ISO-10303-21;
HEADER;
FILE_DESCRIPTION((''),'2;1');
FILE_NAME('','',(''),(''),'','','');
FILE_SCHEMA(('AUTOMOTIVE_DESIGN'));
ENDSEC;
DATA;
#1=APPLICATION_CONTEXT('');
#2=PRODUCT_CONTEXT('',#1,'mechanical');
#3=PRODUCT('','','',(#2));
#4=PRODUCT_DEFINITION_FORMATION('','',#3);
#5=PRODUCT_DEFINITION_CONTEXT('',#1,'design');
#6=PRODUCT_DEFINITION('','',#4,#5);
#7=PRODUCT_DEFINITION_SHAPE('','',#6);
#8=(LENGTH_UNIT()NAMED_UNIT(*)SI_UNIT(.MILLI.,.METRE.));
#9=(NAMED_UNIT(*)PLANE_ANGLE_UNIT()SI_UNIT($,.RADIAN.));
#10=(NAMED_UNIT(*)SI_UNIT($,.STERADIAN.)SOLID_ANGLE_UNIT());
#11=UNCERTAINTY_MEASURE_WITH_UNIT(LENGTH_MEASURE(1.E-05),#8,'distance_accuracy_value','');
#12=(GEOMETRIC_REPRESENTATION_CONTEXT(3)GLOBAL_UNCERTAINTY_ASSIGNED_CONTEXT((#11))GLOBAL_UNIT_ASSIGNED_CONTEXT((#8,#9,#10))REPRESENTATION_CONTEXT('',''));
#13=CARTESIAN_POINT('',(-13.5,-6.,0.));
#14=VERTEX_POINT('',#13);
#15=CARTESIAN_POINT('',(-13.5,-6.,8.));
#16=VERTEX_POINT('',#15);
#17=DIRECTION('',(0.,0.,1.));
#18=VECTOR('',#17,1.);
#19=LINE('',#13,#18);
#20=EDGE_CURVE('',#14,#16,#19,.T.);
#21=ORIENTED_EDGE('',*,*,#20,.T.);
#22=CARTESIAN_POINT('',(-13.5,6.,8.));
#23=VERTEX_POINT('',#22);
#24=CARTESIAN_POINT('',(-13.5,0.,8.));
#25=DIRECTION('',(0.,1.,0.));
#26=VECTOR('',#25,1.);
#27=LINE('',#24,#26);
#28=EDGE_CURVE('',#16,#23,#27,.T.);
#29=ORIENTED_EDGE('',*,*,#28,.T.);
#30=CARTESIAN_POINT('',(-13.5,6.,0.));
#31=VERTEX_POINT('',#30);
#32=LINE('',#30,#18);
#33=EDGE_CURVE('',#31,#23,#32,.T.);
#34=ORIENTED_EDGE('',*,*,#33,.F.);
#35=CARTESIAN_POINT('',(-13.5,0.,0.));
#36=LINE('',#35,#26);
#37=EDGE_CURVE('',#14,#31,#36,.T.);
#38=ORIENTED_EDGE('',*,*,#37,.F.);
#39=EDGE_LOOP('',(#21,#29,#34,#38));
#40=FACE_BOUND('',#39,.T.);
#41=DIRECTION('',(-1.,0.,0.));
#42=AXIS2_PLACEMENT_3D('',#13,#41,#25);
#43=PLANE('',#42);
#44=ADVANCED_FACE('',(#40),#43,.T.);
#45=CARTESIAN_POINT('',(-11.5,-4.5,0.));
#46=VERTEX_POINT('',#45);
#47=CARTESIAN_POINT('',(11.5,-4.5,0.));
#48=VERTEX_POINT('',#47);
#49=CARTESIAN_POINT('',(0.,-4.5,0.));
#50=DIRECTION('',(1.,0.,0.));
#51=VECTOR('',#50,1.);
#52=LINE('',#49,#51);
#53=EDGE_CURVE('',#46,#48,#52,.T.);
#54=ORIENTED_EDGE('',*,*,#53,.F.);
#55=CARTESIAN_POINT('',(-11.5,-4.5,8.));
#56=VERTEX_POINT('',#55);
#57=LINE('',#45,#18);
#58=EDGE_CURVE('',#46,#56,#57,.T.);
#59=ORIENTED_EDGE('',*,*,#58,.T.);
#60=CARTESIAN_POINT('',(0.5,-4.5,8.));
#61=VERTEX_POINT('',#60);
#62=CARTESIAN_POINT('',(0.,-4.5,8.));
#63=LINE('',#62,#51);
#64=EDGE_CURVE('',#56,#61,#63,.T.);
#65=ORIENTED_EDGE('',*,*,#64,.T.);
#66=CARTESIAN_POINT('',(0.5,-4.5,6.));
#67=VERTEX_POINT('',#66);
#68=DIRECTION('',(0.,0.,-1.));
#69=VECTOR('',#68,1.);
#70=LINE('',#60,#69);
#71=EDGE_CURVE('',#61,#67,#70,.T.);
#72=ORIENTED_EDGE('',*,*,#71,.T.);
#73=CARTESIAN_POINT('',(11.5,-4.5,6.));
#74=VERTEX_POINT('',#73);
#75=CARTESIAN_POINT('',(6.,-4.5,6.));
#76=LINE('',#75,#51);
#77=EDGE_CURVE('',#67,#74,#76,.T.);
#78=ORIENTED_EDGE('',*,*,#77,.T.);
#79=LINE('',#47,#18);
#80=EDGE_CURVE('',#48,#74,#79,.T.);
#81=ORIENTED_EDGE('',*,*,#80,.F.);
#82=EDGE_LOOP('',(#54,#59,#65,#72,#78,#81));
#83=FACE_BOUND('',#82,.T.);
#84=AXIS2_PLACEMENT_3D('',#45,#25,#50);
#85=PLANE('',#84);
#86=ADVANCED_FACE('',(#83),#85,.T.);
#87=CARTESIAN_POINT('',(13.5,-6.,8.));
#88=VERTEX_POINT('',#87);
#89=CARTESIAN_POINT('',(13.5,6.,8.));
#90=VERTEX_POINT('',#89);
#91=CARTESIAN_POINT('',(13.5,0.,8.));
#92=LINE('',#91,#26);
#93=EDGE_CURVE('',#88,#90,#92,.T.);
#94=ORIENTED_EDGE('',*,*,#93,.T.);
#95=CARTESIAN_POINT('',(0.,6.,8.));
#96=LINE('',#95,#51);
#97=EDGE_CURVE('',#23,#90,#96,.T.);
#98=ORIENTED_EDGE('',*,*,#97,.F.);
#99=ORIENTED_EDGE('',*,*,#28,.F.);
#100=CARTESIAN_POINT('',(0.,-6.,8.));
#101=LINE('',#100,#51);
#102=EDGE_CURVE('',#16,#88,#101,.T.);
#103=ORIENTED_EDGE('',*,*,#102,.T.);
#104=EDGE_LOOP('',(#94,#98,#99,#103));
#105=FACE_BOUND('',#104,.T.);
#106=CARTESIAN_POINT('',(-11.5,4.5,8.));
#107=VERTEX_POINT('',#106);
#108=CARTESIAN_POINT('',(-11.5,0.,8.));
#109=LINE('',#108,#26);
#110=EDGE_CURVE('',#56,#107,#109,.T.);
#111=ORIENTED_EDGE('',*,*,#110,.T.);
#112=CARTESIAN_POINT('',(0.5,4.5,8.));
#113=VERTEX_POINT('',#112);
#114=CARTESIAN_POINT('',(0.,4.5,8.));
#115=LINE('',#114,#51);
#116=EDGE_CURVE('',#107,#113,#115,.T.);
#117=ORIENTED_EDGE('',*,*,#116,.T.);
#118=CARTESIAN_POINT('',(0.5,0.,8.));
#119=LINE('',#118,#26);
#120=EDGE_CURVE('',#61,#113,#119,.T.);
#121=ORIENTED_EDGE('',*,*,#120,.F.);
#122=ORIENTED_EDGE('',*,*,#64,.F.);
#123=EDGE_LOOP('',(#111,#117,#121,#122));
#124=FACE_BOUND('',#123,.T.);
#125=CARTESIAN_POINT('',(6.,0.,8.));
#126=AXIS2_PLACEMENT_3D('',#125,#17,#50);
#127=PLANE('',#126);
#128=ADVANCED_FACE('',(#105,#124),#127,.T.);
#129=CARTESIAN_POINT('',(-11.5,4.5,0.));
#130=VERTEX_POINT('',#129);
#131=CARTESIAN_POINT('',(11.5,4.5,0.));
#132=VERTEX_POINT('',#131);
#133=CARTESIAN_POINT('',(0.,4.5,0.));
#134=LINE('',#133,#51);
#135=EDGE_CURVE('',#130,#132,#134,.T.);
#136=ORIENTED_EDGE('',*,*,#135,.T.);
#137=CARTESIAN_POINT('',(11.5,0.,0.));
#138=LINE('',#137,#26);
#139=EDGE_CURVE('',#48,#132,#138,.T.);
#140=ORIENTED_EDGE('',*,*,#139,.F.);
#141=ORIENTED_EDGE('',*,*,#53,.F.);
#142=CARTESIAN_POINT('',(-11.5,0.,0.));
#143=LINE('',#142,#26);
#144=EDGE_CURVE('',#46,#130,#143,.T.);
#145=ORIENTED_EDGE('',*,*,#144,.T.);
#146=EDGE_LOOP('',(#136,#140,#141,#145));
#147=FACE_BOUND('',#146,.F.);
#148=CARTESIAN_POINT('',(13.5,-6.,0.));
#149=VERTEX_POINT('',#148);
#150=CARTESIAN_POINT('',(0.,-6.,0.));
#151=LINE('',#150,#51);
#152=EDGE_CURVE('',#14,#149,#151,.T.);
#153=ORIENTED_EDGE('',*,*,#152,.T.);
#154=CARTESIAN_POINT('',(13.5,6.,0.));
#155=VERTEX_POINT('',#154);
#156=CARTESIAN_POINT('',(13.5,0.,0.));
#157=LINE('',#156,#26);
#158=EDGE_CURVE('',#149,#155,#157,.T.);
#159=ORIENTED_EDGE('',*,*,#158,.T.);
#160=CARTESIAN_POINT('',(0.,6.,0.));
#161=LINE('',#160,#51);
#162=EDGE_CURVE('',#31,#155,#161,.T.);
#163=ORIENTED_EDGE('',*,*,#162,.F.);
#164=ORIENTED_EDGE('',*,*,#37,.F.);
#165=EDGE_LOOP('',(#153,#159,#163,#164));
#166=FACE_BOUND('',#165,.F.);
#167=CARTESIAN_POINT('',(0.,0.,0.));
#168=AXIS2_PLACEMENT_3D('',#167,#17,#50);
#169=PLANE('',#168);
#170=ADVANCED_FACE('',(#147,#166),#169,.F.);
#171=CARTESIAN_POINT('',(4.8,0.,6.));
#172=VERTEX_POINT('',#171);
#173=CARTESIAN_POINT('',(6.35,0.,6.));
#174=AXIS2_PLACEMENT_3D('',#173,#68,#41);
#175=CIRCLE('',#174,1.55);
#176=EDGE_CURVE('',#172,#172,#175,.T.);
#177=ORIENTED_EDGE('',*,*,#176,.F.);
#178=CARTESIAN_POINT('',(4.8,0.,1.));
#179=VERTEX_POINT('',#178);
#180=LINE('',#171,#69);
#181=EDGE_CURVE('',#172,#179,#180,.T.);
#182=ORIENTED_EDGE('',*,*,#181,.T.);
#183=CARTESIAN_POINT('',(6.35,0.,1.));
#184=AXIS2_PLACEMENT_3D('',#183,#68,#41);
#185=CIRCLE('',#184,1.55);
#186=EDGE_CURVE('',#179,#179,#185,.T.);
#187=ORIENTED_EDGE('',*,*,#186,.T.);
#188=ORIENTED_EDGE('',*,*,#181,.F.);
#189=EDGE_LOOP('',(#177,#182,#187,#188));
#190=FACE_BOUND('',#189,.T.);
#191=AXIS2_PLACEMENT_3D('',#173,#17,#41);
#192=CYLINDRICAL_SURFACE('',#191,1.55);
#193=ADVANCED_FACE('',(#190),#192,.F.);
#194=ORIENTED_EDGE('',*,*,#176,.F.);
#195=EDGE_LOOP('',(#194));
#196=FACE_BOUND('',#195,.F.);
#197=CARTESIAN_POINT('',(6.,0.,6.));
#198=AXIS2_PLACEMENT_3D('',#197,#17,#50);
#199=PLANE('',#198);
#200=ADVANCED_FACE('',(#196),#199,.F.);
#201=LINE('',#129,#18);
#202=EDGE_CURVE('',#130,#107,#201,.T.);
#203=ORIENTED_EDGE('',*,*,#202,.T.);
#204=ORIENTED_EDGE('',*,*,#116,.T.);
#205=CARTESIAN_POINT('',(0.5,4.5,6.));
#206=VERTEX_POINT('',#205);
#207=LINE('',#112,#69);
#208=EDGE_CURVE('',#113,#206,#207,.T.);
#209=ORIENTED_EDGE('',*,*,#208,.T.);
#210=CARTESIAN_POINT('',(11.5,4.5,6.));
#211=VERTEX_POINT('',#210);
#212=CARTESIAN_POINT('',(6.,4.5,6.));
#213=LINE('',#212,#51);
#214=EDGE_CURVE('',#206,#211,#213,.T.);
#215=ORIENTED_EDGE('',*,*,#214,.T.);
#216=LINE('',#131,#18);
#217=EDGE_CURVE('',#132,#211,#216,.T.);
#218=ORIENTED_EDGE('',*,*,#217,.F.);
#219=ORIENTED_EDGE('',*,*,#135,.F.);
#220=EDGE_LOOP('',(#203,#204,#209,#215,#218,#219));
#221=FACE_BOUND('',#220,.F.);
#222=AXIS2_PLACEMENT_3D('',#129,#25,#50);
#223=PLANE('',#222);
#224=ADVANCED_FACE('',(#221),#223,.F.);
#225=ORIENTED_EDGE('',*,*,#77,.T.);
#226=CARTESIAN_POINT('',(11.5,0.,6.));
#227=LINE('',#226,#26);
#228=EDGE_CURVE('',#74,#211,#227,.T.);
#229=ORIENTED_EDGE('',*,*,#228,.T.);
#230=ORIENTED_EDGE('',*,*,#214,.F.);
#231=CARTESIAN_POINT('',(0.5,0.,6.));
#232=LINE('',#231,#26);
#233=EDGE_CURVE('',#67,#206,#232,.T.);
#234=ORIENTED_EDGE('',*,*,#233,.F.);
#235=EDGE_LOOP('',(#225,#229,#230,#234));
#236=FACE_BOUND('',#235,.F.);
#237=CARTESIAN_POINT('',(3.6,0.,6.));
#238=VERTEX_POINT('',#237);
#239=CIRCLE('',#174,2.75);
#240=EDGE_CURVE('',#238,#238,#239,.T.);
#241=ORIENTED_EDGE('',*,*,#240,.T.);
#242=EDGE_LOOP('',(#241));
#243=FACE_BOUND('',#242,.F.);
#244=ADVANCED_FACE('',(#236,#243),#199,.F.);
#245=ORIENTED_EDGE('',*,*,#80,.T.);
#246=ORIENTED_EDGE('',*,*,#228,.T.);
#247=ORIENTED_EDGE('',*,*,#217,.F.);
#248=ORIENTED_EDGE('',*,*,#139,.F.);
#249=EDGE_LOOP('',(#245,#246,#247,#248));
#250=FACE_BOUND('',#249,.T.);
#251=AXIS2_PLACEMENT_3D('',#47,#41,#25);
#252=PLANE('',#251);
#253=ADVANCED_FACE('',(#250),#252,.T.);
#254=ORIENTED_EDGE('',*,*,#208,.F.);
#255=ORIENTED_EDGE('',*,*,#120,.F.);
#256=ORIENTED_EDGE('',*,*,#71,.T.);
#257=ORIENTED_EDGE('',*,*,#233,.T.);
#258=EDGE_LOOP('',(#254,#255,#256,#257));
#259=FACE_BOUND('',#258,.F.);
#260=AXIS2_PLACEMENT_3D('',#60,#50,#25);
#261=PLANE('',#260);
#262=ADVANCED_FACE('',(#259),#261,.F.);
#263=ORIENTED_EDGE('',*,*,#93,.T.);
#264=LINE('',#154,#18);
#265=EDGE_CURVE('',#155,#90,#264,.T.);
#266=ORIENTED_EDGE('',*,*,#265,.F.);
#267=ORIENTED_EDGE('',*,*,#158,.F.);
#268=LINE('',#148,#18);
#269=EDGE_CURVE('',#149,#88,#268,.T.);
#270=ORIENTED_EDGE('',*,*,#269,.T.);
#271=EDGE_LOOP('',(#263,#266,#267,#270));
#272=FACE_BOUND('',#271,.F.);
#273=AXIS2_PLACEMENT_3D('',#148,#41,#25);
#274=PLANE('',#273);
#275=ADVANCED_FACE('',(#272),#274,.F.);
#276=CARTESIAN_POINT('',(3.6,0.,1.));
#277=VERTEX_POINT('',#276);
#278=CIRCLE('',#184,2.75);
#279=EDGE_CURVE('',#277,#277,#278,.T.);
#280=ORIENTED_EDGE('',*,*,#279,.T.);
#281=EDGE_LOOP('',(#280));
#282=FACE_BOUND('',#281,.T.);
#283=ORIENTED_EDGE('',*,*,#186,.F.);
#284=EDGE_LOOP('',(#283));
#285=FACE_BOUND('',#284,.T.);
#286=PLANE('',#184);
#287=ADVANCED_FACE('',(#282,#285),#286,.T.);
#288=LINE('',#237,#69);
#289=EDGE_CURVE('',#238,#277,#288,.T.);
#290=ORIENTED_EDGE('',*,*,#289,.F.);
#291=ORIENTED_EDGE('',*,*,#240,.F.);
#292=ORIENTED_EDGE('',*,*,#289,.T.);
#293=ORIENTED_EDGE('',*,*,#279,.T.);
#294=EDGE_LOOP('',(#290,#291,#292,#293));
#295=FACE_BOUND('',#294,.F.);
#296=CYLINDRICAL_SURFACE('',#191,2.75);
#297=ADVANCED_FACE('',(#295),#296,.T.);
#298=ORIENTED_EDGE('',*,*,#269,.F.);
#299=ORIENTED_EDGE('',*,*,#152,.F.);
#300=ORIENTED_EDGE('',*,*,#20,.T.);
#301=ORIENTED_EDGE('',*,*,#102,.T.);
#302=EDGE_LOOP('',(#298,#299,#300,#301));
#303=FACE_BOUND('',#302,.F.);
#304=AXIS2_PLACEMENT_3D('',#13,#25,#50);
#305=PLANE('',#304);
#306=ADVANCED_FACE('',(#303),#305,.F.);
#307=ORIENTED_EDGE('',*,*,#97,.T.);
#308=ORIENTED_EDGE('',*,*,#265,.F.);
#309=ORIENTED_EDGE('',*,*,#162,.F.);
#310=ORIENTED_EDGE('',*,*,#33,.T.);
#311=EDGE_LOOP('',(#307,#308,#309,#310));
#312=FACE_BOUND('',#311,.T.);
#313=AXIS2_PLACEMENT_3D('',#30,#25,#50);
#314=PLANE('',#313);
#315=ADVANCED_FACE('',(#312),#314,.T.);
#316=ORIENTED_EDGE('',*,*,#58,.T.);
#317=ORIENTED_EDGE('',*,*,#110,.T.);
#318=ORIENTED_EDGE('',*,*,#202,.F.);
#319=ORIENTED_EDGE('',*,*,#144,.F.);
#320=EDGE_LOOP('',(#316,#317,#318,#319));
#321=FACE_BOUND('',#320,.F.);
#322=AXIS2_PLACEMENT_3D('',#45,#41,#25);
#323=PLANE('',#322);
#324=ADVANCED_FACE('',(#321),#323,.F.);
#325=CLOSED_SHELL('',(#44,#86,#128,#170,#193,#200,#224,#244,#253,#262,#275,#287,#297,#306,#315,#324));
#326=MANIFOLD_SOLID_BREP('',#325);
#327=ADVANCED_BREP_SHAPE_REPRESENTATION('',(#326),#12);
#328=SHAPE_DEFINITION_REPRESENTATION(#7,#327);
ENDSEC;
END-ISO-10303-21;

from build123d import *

# Parameters (mm, degrees)
SKETCH_1_W      = 27
SKETCH_1_H      = 12
SKETCH_1_W_2    = 23
SKETCH_1_H_2    = 9
EXTRUDE_1_DEPTH = 8
SKETCH_2_W      = 11
SKETCH_2_H      = 9
EXTRUDE_2_DEPTH = 2
SKETCH_3_R      = 2.75
SKETCH_3_R_2    = 1.55
EXTRUDE_3_DEPTH = 5


with BuildPart() as part:
    # 草图1 → 凸台-拉伸1 (new body)
    with BuildSketch(Plane.XY):
        Rectangle(SKETCH_1_W, SKETCH_1_H)
        Rectangle(SKETCH_1_W_2, SKETCH_1_H_2, mode=Mode.SUBTRACT)
    extrude(amount=EXTRUDE_1_DEPTH)

    # 草图2 → 凸台-拉伸2 (add)
    with BuildSketch(Plane.XY.offset(8)):
        with Locations((6, 0)):
            Rectangle(SKETCH_2_W, SKETCH_2_H)
    extrude(amount=-EXTRUDE_2_DEPTH)

    # 草图3 → 凸台-拉伸3 (add)
    with BuildSketch(Plane(origin=(0, 0, 6), x_dir=(-1, 0, 0), z_dir=(0, 0, -1))):
        with Locations((-6.35, 0)):
            Circle(SKETCH_3_R)
        with Locations((-6.35, 0)):
            Circle(SKETCH_3_R_2, mode=Mode.SUBTRACT)
    extrude(amount=EXTRUDE_3_DEPTH)


solid = part.part
